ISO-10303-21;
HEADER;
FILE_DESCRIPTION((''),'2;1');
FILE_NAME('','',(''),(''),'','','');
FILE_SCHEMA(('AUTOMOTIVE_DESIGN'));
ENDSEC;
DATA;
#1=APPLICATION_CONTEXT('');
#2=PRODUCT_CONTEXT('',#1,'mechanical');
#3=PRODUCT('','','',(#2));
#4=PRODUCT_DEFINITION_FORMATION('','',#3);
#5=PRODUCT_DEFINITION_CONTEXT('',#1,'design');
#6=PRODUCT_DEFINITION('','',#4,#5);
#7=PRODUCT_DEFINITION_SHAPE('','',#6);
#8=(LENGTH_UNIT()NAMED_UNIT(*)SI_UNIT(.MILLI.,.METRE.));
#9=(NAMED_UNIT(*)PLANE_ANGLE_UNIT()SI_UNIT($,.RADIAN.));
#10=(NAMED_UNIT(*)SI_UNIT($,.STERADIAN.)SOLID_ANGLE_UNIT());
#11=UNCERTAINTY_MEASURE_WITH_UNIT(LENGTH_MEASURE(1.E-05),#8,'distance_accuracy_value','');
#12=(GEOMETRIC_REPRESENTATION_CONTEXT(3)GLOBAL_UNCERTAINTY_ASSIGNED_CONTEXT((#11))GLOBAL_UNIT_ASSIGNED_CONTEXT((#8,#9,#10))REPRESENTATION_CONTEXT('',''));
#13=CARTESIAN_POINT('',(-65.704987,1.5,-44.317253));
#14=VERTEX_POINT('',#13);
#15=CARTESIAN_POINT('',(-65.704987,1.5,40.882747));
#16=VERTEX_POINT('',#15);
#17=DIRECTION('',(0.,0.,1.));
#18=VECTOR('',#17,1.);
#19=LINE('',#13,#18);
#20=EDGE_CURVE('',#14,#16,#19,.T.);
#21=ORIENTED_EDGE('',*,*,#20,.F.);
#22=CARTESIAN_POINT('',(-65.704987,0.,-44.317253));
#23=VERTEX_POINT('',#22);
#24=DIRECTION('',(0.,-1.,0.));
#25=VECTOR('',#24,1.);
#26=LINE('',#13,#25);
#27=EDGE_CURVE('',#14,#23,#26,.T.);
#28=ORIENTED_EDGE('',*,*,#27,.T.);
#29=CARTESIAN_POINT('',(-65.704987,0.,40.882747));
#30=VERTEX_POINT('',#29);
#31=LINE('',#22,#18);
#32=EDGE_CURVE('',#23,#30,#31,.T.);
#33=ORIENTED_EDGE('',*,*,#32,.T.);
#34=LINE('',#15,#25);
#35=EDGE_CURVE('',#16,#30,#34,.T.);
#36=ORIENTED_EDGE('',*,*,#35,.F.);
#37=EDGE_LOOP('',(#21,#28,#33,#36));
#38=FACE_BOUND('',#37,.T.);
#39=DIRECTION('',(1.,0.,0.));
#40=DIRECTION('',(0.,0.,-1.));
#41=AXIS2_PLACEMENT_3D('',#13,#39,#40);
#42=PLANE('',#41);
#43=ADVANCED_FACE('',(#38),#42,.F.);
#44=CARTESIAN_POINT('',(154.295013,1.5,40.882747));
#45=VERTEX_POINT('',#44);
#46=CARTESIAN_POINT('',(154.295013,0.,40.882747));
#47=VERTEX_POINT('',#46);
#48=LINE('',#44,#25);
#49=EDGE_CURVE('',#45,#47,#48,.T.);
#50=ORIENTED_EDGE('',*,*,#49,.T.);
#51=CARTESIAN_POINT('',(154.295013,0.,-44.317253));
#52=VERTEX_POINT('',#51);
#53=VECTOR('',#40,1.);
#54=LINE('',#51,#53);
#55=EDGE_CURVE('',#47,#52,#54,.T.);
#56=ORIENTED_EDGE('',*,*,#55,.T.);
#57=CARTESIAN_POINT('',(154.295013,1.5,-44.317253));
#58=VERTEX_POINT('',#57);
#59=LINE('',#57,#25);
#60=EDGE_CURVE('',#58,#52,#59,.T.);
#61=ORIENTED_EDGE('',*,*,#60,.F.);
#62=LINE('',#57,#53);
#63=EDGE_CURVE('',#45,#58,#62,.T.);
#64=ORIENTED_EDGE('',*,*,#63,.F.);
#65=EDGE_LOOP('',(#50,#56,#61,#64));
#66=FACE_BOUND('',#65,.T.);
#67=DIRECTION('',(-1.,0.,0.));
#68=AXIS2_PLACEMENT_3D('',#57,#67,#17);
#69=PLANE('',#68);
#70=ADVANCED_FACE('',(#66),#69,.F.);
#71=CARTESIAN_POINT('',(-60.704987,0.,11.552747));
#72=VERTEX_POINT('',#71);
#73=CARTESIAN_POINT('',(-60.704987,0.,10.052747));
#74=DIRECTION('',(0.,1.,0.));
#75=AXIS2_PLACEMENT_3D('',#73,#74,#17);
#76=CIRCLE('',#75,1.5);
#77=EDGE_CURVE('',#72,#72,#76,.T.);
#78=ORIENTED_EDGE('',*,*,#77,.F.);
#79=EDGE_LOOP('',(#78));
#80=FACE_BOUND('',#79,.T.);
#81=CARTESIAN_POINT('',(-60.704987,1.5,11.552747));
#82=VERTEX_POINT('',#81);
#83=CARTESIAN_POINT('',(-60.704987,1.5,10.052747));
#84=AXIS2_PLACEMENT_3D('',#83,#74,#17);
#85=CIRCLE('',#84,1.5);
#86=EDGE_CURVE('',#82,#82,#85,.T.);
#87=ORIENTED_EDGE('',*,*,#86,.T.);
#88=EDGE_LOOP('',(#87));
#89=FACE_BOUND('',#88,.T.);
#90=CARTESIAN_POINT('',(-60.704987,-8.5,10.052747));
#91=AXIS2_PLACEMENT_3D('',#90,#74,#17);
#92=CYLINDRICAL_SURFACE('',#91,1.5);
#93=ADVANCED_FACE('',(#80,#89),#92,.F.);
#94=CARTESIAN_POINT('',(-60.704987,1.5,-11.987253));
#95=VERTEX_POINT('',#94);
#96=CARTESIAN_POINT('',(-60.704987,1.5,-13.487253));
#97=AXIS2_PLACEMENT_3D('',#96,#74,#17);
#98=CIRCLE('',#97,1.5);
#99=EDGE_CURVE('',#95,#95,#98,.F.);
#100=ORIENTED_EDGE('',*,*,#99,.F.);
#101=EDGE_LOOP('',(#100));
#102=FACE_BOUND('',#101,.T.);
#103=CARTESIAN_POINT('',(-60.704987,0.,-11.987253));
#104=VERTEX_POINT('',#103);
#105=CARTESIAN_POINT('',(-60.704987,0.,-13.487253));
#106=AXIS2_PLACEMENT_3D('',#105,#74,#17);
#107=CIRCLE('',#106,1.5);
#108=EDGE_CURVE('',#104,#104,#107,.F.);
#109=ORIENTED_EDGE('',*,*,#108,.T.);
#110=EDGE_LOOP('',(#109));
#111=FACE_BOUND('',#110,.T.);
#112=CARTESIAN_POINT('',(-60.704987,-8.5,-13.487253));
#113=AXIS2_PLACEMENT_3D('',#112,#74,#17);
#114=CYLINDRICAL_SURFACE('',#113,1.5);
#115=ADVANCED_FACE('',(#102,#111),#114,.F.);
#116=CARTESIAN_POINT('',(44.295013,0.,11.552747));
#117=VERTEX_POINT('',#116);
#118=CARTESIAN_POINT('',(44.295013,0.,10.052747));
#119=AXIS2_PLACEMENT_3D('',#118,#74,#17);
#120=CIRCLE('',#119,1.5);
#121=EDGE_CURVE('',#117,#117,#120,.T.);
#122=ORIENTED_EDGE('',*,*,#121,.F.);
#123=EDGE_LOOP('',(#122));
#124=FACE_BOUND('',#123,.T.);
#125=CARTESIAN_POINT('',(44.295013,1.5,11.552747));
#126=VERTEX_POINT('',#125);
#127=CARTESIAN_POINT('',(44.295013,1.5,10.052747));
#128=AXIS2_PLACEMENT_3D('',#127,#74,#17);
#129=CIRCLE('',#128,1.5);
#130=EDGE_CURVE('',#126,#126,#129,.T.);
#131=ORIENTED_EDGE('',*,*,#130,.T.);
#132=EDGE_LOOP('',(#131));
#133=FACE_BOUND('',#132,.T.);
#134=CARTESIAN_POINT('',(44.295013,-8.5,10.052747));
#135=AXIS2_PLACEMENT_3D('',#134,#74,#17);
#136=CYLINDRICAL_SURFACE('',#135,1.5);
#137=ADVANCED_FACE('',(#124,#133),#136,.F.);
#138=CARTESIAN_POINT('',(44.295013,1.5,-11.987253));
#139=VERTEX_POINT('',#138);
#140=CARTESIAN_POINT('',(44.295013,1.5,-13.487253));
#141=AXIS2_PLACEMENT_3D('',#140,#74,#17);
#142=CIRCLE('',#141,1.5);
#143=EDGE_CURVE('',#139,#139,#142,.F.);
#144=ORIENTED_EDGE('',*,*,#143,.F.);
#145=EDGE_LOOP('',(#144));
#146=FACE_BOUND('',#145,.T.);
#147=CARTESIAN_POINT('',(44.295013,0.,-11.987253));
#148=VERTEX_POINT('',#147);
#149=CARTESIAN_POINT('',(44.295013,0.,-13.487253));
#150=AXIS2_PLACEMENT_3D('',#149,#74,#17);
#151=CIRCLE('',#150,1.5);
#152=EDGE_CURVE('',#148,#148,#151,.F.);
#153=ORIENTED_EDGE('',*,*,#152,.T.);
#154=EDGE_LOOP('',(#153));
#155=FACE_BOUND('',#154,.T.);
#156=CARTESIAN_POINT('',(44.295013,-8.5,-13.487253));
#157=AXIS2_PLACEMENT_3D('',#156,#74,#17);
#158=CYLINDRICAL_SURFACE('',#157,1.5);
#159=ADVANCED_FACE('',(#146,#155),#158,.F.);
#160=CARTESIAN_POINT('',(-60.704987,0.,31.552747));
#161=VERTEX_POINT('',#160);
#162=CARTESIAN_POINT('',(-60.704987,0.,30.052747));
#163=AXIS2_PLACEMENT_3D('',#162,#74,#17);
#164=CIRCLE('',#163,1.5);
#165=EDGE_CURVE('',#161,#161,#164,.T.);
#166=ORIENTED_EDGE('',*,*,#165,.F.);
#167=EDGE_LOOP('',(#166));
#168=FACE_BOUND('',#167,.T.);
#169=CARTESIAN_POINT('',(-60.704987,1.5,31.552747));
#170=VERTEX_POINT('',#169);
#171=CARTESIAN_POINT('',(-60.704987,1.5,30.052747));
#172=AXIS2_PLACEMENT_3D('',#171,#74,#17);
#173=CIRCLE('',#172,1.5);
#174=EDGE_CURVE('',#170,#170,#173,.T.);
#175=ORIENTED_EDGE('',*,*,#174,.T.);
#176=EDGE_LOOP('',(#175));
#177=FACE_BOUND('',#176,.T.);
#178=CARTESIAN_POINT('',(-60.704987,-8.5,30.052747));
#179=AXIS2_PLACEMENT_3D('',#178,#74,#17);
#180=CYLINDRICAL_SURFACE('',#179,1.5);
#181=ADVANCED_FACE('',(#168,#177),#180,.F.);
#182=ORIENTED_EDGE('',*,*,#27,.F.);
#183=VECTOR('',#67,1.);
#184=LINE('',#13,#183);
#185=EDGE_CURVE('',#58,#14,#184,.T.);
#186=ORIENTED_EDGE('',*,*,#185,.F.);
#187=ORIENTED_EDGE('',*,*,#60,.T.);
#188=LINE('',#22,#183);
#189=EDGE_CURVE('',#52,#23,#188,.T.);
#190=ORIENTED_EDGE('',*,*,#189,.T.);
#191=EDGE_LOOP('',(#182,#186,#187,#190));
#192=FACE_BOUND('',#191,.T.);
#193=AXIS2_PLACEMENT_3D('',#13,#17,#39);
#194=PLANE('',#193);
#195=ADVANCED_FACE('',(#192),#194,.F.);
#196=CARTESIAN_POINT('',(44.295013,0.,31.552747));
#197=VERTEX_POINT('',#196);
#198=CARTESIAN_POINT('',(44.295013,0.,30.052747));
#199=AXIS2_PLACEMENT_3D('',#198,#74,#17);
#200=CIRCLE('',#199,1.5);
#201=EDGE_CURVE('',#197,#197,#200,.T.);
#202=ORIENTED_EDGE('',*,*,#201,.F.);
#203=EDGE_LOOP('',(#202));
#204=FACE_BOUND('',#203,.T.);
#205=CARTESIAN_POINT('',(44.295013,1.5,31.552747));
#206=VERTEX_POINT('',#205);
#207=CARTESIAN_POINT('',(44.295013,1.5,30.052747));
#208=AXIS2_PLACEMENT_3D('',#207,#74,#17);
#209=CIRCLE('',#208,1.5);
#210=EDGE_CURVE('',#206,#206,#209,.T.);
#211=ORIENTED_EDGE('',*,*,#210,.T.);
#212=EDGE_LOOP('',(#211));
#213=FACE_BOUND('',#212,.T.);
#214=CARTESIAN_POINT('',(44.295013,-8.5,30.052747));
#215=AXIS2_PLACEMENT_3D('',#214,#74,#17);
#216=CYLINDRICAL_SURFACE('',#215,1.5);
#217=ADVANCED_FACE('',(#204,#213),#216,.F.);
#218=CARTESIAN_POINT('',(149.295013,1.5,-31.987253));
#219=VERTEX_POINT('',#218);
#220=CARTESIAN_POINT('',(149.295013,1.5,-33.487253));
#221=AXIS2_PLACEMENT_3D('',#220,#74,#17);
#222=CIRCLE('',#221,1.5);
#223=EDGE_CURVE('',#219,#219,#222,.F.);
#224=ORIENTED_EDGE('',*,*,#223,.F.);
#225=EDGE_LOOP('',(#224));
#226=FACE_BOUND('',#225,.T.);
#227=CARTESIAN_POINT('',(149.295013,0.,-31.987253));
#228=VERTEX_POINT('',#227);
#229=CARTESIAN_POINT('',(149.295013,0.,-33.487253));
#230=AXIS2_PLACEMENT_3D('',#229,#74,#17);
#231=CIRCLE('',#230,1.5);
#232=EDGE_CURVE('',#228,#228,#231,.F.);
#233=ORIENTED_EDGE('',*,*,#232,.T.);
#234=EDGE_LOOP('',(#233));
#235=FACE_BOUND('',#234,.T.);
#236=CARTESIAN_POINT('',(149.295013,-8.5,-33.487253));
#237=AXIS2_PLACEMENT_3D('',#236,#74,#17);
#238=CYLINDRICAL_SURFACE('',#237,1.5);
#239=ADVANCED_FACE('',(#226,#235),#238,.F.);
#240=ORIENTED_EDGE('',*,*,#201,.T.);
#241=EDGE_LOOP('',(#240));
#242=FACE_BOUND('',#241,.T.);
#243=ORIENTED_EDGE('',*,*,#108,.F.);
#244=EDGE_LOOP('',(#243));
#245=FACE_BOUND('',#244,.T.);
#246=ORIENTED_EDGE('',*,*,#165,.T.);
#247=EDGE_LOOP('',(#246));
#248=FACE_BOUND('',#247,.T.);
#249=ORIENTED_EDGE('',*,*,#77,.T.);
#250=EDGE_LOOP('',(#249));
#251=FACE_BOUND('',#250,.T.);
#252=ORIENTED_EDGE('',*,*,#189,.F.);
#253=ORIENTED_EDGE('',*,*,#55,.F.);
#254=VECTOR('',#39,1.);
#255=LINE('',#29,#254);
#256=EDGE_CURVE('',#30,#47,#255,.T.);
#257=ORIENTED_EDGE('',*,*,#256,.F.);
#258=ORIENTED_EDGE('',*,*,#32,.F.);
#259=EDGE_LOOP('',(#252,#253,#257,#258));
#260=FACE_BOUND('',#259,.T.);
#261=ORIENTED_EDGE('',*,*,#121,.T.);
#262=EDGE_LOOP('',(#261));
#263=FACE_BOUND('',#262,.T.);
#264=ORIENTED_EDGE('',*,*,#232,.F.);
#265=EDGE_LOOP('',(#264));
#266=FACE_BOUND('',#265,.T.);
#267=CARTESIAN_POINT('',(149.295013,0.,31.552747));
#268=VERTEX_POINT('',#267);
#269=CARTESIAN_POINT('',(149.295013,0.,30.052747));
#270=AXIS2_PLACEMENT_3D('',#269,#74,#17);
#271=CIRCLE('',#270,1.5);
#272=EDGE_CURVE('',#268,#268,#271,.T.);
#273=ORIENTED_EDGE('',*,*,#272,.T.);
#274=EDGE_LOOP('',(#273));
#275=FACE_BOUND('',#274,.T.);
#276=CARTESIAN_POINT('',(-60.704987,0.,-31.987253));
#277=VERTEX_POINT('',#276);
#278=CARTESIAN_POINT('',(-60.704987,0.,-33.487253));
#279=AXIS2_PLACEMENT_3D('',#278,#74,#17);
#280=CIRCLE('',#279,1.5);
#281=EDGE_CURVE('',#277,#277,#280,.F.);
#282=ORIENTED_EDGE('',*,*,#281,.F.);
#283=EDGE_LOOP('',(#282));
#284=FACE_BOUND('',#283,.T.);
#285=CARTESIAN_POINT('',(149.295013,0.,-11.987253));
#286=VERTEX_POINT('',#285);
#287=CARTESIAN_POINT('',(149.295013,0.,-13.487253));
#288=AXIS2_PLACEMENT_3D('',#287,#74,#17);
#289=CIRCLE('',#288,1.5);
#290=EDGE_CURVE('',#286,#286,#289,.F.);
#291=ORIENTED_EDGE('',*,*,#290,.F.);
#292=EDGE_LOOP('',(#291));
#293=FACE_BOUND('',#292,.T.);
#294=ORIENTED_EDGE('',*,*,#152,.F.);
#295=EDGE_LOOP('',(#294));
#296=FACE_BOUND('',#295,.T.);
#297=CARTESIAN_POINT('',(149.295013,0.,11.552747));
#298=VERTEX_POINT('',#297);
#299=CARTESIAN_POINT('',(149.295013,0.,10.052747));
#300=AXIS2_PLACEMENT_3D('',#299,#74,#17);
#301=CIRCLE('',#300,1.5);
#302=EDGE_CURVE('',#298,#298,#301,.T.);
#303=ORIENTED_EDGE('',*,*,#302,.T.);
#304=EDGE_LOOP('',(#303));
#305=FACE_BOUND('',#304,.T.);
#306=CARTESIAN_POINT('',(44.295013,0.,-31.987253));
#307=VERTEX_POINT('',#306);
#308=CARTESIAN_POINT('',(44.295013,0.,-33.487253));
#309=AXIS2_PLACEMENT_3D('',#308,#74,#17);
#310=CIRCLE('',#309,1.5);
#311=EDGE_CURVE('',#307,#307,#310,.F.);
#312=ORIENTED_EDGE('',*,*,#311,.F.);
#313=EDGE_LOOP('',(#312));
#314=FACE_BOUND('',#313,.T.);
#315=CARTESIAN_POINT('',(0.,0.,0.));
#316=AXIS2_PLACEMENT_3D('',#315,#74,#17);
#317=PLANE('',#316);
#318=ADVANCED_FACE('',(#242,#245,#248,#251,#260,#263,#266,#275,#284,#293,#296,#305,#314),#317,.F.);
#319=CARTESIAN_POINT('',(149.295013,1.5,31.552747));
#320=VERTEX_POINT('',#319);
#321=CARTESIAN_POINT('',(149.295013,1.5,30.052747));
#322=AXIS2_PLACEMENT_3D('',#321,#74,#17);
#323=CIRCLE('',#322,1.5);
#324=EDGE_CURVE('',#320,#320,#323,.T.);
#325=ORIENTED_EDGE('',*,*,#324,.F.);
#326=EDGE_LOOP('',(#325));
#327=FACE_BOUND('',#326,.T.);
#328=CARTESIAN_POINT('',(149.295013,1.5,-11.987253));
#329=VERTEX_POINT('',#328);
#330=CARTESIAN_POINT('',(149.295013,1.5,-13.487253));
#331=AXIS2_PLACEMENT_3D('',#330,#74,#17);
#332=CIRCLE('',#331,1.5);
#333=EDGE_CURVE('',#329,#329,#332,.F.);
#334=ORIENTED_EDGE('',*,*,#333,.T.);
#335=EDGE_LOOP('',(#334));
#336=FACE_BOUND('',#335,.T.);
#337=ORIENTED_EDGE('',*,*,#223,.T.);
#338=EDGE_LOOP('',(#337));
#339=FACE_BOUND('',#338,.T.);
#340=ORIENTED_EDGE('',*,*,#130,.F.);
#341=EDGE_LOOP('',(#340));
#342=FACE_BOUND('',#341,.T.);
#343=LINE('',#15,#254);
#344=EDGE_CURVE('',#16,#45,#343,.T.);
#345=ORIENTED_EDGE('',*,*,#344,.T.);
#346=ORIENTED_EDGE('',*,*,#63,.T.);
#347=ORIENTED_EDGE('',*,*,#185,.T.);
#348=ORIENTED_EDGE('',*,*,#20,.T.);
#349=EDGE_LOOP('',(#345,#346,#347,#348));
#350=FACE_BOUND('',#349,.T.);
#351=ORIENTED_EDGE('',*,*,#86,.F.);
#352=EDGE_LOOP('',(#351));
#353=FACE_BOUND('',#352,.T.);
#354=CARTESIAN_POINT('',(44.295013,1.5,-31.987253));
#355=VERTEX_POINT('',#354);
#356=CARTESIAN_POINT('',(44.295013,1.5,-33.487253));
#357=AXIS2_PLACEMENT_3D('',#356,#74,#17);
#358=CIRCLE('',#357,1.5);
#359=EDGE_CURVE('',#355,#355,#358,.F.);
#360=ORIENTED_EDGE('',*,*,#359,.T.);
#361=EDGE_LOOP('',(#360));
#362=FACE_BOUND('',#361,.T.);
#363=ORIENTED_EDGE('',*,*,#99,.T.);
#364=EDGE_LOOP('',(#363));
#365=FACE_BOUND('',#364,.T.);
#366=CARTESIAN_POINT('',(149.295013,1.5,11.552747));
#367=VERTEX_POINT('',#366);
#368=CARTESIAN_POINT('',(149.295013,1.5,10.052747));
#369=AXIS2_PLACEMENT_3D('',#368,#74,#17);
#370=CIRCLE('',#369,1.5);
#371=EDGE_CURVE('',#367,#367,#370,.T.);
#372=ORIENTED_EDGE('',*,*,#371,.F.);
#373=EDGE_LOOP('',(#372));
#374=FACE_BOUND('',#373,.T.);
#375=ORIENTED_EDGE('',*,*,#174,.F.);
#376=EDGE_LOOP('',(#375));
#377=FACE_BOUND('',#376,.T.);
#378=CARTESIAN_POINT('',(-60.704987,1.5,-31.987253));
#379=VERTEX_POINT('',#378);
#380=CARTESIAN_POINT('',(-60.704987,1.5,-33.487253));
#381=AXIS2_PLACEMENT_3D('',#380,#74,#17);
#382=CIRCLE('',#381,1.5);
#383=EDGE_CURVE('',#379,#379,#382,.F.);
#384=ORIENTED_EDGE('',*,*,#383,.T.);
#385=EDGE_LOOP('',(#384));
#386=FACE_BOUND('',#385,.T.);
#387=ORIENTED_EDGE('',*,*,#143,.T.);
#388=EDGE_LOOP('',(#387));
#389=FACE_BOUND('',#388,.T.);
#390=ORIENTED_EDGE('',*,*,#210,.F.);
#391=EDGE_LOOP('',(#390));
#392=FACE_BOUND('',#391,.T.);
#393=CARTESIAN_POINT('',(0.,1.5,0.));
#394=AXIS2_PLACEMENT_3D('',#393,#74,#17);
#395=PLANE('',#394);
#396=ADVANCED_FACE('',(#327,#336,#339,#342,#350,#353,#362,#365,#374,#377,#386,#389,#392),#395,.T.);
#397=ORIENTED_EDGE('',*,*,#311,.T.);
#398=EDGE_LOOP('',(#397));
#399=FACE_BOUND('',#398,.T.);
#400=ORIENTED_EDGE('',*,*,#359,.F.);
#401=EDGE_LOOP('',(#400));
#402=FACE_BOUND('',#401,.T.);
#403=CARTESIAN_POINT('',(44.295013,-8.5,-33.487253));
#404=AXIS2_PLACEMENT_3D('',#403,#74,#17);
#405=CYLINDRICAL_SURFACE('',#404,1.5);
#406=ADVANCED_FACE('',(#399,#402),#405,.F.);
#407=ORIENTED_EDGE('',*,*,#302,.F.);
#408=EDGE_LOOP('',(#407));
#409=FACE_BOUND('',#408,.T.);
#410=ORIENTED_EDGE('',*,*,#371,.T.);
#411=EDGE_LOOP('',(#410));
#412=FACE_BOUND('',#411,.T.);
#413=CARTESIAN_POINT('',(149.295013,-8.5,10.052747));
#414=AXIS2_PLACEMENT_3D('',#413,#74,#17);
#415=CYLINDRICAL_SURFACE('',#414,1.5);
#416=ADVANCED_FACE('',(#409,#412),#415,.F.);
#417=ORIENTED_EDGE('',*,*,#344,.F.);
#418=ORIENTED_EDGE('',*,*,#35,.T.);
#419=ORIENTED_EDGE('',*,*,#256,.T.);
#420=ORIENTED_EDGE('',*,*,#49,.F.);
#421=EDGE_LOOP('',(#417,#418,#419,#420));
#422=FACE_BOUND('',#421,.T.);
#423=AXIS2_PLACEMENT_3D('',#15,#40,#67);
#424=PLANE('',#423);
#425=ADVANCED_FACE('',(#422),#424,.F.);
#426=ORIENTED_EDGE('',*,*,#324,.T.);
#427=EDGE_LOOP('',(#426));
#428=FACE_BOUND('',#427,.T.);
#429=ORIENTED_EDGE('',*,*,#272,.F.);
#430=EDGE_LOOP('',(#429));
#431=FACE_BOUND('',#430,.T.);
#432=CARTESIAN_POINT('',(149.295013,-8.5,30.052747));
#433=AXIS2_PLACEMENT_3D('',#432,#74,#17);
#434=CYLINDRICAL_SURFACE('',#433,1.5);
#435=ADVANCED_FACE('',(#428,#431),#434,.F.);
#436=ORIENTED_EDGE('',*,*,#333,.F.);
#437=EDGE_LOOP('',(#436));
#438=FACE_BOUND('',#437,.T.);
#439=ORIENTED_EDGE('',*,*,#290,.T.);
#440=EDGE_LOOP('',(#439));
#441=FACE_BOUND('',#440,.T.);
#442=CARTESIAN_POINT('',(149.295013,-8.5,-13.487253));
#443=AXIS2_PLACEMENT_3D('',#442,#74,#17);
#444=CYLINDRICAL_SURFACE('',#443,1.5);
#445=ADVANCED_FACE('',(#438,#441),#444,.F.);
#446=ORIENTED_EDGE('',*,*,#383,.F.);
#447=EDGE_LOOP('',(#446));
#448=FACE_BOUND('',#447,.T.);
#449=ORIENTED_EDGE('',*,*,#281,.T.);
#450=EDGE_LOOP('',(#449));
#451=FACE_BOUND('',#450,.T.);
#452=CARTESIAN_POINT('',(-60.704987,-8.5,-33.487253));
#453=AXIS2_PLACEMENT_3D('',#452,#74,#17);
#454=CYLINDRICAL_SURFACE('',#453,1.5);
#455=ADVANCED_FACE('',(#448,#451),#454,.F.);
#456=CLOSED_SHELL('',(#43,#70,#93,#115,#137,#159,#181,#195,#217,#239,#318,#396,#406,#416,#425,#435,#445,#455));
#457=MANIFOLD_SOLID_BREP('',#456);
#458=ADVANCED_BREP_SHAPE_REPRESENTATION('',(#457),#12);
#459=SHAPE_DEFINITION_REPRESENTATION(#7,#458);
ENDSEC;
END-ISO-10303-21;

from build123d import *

# Parameters (mm, degrees)
SKETCH_1_W          = 220
SKETCH_1_H          = 85.2
EXTRUDE_1_DEPTH     = 1.5
SKETCH_2_R          = 1.5
CUT_EXTRUDE_1_DEPTH = 10


with BuildPart() as part:
    # 草图1 → 凸台-拉伸1 (new body)
    with BuildSketch(Plane(origin=(0, 0, 0), x_dir=(1, 0, 0), z_dir=(0, 1, 0))):
        with Locations((44.295012832, 1.717252595)):
            Rectangle(SKETCH_1_W, SKETCH_1_H)
    extrude(amount=EXTRUDE_1_DEPTH)

    # 草图2 → 切除-拉伸1 (cut)
    with BuildSketch(Plane(origin=(0, 1.5, 0), x_dir=(1, 0, 0), z_dir=(0, 1, 0))):
        with Locations(Location((149.295012832, -30.052747405, 0), (0, 0, 270))):
            Circle(SKETCH_2_R)
        with Locations(Location((149.295012832, -10.052747405, 0), (0, 0, 270))):
            Circle(SKETCH_2_R)
        with Locations(Location((44.295012832, -10.052747405, 0), (0, 0, 270))):
            Circle(SKETCH_2_R)
        with Locations(Location((44.295012832, -30.052747405, 0), (0, 0, 270))):
            Circle(SKETCH_2_R)
        with Locations(Location((44.295012832, 13.487252595, 0), (0, 0, 270))):
            Circle(SKETCH_2_R)
        with Locations(Location((44.295012832, 33.487252595, 0), (0, 0, 270))):
            Circle(SKETCH_2_R)
        with Locations(Location((149.295012832, 13.487252595, 0), (0, 0, 270))):
            Circle(SKETCH_2_R)
        with Locations(Location((149.295012832, 33.487252595, 0), (0, 0, 270))):
            Circle(SKETCH_2_R)
        with Locations(Location((-60.704987168, 33.487252595, 0), (0, 0, 270))):
            Circle(SKETCH_2_R)
        with Locations(Location((-60.704987168, 13.487252595, 0), (0, 0, 270))):
            Circle(SKETCH_2_R)
        with Locations(Location((-60.704987168, -10.052747405, 0), (0, 0, 270))):
            Circle(SKETCH_2_R)
        with Locations(Location((-60.704987168, -30.052747405, 0), (0, 0, 270))):
            Circle(SKETCH_2_R)
    extrude(amount=-CUT_EXTRUDE_1_DEPTH, mode=Mode.SUBTRACT)


solid = part.part
